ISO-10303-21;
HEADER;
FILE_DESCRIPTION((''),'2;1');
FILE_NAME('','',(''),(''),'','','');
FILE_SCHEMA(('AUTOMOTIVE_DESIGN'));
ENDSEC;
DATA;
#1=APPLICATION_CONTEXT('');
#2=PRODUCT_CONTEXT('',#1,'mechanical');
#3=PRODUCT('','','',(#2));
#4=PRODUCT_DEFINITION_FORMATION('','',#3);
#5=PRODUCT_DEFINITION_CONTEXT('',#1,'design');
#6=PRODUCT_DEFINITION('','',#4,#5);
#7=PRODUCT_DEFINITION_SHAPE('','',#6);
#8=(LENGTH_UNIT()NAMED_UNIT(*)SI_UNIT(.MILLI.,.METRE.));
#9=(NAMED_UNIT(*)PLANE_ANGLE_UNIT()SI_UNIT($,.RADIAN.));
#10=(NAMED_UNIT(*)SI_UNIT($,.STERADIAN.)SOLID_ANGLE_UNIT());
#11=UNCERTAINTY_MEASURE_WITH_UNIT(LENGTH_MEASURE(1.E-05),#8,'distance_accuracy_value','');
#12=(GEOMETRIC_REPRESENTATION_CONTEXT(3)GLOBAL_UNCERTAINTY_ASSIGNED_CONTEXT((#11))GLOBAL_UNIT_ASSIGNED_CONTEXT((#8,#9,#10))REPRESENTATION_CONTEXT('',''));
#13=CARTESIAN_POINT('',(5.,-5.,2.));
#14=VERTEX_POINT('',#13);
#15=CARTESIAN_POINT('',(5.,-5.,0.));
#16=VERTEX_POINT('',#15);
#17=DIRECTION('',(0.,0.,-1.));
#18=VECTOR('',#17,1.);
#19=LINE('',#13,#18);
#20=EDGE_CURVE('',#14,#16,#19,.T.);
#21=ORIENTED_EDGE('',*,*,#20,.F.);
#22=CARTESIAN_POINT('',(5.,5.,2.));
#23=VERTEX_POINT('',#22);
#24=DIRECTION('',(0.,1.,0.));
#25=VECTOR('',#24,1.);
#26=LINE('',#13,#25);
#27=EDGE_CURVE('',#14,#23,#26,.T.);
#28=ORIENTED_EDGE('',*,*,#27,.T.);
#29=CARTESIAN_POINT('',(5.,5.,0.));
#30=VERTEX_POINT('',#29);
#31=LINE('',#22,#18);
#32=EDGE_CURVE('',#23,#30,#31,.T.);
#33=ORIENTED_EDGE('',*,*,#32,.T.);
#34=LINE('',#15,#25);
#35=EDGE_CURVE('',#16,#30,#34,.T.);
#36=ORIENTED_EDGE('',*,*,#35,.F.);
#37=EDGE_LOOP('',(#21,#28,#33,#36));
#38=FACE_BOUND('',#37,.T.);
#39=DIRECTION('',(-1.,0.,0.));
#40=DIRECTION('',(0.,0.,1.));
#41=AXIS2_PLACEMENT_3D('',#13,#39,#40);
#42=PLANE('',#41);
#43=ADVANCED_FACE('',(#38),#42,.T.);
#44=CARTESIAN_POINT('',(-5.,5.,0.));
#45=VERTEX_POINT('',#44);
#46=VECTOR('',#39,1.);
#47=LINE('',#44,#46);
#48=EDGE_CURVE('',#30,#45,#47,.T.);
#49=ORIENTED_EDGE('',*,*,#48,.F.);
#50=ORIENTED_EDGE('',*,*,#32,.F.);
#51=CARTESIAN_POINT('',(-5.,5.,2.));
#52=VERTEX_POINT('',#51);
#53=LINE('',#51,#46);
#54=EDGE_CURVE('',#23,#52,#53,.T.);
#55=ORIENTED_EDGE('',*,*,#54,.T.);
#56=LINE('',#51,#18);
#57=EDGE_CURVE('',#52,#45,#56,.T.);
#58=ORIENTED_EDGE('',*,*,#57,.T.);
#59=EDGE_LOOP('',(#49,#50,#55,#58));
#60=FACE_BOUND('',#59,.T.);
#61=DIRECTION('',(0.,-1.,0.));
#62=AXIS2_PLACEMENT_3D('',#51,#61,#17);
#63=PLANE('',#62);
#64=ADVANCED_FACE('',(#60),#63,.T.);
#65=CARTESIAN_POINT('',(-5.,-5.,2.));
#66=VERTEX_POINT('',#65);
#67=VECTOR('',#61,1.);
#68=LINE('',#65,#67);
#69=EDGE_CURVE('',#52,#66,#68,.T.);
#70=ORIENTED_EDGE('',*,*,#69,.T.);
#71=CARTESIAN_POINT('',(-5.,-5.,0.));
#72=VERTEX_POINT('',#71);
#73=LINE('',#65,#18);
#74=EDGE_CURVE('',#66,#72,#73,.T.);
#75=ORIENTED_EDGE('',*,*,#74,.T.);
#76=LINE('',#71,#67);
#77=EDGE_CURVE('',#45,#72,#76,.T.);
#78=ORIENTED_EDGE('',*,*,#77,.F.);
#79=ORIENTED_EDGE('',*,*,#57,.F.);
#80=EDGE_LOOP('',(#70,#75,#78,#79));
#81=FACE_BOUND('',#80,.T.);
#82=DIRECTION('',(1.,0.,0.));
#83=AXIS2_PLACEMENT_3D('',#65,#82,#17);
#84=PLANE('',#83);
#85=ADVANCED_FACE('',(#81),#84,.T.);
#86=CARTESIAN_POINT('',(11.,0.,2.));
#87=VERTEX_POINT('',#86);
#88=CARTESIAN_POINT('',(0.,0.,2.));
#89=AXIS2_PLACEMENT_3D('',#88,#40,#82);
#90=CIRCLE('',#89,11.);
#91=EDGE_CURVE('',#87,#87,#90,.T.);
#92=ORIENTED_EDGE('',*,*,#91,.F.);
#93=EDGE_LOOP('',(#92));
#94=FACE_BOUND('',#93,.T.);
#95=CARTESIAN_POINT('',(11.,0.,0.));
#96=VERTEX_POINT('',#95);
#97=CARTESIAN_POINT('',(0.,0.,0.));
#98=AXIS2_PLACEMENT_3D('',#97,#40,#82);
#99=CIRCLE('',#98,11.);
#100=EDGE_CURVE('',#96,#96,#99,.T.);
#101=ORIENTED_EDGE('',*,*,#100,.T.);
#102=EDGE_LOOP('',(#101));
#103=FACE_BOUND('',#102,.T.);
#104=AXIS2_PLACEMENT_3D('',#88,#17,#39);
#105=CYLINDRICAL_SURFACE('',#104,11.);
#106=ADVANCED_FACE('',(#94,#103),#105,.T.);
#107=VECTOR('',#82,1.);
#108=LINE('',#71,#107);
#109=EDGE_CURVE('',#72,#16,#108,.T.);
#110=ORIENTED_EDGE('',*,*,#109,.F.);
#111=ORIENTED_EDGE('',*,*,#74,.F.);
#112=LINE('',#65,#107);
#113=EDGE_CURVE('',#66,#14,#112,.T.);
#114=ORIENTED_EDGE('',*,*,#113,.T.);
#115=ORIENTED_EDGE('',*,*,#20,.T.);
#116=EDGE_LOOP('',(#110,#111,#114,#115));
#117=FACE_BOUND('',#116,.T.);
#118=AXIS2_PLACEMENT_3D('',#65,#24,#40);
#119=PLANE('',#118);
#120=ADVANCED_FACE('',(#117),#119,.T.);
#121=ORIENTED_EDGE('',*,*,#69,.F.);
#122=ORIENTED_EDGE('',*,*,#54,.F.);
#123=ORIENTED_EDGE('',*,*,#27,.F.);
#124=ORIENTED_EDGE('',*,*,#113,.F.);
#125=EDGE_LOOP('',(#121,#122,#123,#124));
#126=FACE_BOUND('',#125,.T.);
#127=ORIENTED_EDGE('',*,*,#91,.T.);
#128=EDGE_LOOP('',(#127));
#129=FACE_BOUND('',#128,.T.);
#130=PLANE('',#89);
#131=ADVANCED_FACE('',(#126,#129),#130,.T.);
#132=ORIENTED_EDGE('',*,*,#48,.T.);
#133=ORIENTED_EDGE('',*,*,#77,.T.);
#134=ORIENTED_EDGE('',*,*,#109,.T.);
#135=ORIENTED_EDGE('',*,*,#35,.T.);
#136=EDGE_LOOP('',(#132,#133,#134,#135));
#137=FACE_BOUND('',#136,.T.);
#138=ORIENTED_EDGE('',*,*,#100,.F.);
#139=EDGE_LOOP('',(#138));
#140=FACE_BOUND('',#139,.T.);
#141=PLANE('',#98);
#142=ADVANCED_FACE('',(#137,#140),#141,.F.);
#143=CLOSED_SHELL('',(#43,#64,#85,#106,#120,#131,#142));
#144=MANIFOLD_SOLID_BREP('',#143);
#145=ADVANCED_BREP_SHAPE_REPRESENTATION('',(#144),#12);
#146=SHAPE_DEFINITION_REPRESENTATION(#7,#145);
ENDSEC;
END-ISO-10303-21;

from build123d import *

# Parameters (mm, degrees)
SKETCH1_R           = 11
SKETCH1_W           = 10
SKETCH1_H           = 10
BOSS_EXTRUDE1_DEPTH = 2


with BuildPart() as part:
    # Sketch1 → Boss-Extrude1 (new body)
    with BuildSketch(Plane.XY):
        Circle(SKETCH1_R)
        Rectangle(SKETCH1_W, SKETCH1_H, mode=Mode.SUBTRACT)
    extrude(amount=BOSS_EXTRUDE1_DEPTH)


solid = part.part
